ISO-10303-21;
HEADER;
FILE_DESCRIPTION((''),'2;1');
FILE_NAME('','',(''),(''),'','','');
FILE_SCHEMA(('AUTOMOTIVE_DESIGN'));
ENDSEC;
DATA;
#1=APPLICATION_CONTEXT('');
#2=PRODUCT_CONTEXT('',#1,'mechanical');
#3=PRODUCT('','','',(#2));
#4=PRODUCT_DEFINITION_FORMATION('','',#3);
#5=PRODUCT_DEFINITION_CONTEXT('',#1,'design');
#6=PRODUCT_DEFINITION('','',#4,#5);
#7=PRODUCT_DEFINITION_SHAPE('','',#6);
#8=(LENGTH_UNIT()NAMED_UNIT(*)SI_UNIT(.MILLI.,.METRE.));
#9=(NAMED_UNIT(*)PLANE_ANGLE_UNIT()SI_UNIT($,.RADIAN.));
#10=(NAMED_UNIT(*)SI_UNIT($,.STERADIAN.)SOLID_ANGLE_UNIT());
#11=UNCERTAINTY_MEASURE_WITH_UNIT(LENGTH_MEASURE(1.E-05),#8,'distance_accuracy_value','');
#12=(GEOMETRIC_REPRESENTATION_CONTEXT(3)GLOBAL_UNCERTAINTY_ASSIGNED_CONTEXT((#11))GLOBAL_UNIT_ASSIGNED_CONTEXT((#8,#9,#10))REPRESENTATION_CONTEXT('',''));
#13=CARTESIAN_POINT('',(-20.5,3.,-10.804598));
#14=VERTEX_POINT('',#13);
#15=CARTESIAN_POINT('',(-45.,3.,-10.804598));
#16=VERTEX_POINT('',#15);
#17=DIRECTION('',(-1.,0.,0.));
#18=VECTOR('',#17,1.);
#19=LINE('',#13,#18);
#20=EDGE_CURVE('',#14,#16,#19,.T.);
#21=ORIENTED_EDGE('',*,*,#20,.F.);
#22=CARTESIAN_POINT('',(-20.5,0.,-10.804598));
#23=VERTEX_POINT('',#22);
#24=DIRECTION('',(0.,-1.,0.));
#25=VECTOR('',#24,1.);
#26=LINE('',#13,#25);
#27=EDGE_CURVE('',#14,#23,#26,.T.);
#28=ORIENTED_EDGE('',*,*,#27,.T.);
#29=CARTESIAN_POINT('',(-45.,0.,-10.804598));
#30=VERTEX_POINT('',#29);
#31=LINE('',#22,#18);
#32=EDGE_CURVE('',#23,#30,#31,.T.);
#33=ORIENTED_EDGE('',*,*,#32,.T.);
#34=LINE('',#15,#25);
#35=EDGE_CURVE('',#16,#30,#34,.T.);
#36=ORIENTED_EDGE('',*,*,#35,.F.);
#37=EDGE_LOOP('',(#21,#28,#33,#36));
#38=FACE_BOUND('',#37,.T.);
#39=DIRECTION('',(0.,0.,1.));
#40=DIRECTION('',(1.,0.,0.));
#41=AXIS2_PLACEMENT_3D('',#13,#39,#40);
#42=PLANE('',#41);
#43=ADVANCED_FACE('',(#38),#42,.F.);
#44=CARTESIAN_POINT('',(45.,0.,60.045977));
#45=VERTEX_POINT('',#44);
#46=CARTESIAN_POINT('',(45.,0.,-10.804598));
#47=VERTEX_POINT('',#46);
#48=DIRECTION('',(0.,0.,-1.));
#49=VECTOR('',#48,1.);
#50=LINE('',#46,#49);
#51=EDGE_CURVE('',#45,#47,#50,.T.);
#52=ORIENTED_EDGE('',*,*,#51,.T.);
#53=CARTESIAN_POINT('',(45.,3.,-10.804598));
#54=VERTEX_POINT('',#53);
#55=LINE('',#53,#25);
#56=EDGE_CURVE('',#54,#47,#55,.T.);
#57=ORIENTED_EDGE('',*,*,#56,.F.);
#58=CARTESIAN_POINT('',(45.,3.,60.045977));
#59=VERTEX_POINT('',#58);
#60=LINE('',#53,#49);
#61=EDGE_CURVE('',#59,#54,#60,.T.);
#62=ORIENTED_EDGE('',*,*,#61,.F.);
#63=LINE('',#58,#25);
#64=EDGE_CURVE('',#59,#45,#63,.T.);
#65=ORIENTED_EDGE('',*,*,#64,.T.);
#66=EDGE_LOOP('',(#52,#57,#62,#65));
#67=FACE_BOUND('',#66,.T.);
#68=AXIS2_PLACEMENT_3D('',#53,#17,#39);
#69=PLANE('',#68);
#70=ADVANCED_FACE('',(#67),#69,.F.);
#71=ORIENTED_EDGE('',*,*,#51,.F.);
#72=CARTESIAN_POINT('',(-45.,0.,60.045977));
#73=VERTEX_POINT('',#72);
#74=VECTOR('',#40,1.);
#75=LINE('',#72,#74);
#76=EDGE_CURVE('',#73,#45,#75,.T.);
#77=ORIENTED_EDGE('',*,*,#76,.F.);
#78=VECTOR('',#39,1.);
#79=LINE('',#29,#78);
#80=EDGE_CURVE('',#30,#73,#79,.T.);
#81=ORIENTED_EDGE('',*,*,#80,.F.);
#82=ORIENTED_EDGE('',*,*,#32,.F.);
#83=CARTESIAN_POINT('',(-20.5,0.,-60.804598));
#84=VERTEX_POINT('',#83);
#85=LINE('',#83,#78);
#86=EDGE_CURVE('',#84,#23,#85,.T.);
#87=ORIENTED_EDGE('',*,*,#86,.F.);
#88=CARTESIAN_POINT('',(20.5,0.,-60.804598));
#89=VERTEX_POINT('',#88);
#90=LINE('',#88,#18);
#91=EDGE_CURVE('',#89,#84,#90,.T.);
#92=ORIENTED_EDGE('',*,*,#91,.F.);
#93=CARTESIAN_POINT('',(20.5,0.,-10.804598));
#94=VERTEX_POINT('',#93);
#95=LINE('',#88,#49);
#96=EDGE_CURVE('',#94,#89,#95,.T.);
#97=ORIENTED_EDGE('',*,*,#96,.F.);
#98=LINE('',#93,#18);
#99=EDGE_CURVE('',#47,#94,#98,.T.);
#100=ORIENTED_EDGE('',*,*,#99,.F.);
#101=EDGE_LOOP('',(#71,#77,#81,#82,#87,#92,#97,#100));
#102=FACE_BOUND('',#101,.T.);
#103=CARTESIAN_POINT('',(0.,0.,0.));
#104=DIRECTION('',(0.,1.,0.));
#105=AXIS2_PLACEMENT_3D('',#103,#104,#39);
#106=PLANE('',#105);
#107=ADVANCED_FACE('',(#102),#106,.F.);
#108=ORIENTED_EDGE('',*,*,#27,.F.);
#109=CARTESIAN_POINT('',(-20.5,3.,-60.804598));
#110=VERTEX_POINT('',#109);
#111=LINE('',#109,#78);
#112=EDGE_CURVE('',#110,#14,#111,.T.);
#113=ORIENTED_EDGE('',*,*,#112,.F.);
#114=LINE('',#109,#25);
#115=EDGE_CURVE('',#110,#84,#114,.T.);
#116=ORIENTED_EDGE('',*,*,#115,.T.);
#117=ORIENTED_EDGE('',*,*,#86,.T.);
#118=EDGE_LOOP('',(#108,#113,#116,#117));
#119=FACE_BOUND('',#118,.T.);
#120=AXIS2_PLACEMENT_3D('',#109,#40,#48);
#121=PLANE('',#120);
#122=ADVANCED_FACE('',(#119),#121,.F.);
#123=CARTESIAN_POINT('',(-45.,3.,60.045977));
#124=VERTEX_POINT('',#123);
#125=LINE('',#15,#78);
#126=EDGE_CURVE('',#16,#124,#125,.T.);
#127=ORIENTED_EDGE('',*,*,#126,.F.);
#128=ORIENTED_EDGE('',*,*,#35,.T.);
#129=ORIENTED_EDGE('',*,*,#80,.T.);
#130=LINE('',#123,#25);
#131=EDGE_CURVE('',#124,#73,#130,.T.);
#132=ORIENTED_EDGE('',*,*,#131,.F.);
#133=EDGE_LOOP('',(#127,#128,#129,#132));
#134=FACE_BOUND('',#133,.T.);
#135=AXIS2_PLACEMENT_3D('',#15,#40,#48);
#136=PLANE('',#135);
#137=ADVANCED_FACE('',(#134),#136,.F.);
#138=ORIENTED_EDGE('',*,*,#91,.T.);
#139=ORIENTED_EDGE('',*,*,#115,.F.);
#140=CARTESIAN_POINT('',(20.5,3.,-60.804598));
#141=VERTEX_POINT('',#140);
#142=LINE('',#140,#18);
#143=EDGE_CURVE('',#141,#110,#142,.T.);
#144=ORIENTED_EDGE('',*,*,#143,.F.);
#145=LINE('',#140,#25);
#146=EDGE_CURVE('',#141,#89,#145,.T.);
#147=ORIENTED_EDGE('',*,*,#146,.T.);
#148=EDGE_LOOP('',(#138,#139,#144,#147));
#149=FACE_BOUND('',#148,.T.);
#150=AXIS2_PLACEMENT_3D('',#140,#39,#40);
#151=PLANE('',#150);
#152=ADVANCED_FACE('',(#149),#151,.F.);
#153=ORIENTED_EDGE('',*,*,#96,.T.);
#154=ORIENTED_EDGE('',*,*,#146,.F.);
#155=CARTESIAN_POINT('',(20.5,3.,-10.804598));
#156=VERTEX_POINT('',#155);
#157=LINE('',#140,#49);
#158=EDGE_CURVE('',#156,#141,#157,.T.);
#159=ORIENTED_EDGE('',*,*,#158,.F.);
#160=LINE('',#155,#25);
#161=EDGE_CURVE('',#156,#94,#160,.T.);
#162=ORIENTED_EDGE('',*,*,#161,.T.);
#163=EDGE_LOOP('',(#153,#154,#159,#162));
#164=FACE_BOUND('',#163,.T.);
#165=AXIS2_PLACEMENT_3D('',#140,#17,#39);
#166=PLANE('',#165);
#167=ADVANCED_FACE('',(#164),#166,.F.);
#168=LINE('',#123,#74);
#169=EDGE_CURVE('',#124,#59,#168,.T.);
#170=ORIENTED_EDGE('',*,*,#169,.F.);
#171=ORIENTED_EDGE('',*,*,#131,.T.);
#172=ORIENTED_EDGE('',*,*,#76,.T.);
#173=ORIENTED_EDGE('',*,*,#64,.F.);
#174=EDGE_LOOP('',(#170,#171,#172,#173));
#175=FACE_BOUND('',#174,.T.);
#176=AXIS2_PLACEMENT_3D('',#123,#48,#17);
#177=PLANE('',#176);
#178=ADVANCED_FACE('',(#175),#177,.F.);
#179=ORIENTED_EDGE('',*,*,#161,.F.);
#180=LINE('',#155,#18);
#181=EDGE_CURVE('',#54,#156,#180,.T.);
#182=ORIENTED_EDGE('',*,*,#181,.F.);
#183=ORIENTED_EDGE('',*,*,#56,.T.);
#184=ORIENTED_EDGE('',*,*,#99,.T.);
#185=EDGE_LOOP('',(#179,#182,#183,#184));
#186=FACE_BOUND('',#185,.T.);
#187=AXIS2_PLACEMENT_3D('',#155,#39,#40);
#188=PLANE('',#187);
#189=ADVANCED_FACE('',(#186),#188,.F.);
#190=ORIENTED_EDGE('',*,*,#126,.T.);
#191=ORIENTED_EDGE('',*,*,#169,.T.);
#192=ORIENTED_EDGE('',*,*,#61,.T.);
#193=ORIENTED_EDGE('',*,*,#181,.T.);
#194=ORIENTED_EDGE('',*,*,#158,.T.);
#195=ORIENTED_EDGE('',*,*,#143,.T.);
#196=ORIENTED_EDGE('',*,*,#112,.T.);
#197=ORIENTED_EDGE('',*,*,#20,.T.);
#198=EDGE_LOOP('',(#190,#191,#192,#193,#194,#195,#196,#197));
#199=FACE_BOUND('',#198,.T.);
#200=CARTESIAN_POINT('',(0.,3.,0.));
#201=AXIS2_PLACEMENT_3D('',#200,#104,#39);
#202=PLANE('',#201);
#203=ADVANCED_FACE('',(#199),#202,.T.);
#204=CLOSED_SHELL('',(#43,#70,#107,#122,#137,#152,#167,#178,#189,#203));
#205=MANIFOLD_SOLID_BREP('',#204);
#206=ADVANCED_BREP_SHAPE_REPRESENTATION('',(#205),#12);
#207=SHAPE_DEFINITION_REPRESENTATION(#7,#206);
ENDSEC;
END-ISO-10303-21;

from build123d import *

# Parameters (mm, degrees)
BOSS_EXTRUDE1_DEPTH = 3


with BuildPart() as part:
    # Sketch1 → Boss-Extrude1 (new body)
    with BuildSketch(Plane(origin=(0, 0, 0), x_dir=(1, 0, 0), z_dir=(0, 1, 0))):
        Polygon((20.5, 60.804597701), (-20.5, 60.804597701), (-20.5, 10.804597701), (-45, 10.804597701), (-45, -60.045977011), (45, -60.045977011), (45, 10.804597701), (20.5, 10.804597701), align=None)
    extrude(amount=BOSS_EXTRUDE1_DEPTH)


solid = part.part
